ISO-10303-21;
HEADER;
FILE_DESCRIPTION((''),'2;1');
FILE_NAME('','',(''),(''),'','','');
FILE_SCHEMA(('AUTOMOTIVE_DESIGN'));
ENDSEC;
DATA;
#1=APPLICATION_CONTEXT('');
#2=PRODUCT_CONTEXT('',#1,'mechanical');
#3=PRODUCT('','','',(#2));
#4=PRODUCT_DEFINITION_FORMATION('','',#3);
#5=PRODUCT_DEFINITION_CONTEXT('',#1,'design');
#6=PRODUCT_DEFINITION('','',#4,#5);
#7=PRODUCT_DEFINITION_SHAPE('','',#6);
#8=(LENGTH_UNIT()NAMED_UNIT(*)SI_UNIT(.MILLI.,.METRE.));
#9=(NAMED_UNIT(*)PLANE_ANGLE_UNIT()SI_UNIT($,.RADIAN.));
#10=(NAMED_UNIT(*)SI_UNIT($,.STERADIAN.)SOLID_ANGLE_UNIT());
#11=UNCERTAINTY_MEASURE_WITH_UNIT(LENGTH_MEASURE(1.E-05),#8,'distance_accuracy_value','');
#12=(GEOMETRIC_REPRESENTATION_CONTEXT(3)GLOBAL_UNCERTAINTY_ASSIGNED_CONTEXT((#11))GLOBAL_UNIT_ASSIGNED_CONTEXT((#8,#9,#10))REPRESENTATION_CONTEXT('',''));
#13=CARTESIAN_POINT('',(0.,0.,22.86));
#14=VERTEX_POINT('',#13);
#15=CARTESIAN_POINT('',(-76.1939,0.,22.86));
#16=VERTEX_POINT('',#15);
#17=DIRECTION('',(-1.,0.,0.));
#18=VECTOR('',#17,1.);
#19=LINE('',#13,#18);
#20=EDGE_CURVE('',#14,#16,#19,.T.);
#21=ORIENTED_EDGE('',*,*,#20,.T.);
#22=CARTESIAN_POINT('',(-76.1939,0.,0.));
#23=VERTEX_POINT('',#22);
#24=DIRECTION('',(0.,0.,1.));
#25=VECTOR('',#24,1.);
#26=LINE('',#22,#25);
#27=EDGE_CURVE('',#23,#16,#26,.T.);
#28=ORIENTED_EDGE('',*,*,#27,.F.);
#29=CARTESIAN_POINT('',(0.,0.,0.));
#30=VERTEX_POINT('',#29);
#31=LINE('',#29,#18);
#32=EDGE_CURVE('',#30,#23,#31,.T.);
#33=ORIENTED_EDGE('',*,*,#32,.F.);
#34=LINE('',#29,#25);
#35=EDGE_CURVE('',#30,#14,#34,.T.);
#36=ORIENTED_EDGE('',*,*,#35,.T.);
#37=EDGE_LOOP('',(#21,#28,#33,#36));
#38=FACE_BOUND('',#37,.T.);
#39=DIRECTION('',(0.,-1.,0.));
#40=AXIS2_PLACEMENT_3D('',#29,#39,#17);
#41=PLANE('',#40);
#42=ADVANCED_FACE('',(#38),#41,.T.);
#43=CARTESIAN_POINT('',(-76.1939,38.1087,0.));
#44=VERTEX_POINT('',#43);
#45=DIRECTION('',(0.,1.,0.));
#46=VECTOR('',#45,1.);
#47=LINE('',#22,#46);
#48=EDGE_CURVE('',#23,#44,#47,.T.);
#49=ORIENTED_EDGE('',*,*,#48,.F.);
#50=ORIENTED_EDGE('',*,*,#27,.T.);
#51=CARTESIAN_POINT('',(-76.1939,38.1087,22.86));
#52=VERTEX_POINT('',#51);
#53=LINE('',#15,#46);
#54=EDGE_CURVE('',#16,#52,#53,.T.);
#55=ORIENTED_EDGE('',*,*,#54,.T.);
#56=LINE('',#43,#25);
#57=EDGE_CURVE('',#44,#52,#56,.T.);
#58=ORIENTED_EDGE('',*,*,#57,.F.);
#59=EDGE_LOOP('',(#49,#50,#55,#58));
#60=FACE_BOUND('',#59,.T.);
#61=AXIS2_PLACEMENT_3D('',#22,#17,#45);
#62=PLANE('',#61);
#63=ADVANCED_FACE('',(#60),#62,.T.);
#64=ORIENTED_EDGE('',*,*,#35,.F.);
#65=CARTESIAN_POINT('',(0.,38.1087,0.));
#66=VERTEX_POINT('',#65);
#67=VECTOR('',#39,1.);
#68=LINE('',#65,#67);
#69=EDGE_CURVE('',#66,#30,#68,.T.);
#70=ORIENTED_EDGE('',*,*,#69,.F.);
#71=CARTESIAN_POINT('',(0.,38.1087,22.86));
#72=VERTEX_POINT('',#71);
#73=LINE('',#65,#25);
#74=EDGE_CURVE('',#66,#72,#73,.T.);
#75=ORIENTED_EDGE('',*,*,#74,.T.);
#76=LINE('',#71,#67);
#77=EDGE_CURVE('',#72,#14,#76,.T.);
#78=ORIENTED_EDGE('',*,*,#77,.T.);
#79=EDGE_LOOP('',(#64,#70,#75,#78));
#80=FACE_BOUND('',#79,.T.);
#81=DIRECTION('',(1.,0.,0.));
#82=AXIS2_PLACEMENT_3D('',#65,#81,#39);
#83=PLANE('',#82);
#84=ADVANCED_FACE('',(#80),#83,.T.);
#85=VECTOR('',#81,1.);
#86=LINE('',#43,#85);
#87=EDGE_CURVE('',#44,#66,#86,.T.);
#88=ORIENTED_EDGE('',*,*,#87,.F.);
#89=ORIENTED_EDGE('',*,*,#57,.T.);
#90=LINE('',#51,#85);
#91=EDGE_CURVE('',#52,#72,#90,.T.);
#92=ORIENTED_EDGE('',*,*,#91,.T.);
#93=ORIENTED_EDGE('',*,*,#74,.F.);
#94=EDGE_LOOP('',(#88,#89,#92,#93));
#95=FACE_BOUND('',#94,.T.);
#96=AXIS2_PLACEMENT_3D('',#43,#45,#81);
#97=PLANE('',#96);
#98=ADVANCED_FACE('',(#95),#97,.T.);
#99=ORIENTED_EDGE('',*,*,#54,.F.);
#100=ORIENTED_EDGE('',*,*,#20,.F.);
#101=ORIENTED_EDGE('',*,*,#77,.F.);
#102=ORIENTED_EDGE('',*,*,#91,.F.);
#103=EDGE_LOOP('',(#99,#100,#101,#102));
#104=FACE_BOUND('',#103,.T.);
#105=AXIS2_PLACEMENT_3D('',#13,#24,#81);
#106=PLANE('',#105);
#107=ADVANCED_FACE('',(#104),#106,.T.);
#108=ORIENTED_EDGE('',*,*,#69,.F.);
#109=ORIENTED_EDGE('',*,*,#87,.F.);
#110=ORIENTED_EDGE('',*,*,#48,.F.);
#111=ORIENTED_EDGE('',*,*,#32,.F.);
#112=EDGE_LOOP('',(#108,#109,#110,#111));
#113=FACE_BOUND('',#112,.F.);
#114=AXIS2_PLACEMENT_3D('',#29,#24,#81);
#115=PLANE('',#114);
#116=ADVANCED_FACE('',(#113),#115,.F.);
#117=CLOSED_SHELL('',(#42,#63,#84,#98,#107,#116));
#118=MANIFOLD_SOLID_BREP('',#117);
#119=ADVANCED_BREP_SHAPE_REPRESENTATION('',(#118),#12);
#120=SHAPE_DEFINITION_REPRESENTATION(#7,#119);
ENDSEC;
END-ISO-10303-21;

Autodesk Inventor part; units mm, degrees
ref_plane "YZ Plane" through (0, 0, 0) normal (1, 0, 0) x (0, 1, 0)
ref_plane "XZ Plane" through (0, 0, 0) normal (0, 1, 0) x (-1, 0, 0)
ref_plane "XY Plane" through (0, 0, 0) normal (0, 0, 1) x (1, 0, 0)
sketch "Sketch1" plane through (0, 0, 0) normal (0, 0, 1) x (1, 0, 0)
  line L0 (0, 0) -> (-76.1939, 0)
  line L1 (-76.1939, 0) -> (-76.1939, 38.1087)
  line L2 (-76.1939, 38.1087) -> (0, 38.1087)
  line L3 (0, 38.1087) -> (0, 0)
extrude "Extrusion1" add sketch "Sketch1" along normal blind 22.86
properties part number "micro-JLT-frame"
